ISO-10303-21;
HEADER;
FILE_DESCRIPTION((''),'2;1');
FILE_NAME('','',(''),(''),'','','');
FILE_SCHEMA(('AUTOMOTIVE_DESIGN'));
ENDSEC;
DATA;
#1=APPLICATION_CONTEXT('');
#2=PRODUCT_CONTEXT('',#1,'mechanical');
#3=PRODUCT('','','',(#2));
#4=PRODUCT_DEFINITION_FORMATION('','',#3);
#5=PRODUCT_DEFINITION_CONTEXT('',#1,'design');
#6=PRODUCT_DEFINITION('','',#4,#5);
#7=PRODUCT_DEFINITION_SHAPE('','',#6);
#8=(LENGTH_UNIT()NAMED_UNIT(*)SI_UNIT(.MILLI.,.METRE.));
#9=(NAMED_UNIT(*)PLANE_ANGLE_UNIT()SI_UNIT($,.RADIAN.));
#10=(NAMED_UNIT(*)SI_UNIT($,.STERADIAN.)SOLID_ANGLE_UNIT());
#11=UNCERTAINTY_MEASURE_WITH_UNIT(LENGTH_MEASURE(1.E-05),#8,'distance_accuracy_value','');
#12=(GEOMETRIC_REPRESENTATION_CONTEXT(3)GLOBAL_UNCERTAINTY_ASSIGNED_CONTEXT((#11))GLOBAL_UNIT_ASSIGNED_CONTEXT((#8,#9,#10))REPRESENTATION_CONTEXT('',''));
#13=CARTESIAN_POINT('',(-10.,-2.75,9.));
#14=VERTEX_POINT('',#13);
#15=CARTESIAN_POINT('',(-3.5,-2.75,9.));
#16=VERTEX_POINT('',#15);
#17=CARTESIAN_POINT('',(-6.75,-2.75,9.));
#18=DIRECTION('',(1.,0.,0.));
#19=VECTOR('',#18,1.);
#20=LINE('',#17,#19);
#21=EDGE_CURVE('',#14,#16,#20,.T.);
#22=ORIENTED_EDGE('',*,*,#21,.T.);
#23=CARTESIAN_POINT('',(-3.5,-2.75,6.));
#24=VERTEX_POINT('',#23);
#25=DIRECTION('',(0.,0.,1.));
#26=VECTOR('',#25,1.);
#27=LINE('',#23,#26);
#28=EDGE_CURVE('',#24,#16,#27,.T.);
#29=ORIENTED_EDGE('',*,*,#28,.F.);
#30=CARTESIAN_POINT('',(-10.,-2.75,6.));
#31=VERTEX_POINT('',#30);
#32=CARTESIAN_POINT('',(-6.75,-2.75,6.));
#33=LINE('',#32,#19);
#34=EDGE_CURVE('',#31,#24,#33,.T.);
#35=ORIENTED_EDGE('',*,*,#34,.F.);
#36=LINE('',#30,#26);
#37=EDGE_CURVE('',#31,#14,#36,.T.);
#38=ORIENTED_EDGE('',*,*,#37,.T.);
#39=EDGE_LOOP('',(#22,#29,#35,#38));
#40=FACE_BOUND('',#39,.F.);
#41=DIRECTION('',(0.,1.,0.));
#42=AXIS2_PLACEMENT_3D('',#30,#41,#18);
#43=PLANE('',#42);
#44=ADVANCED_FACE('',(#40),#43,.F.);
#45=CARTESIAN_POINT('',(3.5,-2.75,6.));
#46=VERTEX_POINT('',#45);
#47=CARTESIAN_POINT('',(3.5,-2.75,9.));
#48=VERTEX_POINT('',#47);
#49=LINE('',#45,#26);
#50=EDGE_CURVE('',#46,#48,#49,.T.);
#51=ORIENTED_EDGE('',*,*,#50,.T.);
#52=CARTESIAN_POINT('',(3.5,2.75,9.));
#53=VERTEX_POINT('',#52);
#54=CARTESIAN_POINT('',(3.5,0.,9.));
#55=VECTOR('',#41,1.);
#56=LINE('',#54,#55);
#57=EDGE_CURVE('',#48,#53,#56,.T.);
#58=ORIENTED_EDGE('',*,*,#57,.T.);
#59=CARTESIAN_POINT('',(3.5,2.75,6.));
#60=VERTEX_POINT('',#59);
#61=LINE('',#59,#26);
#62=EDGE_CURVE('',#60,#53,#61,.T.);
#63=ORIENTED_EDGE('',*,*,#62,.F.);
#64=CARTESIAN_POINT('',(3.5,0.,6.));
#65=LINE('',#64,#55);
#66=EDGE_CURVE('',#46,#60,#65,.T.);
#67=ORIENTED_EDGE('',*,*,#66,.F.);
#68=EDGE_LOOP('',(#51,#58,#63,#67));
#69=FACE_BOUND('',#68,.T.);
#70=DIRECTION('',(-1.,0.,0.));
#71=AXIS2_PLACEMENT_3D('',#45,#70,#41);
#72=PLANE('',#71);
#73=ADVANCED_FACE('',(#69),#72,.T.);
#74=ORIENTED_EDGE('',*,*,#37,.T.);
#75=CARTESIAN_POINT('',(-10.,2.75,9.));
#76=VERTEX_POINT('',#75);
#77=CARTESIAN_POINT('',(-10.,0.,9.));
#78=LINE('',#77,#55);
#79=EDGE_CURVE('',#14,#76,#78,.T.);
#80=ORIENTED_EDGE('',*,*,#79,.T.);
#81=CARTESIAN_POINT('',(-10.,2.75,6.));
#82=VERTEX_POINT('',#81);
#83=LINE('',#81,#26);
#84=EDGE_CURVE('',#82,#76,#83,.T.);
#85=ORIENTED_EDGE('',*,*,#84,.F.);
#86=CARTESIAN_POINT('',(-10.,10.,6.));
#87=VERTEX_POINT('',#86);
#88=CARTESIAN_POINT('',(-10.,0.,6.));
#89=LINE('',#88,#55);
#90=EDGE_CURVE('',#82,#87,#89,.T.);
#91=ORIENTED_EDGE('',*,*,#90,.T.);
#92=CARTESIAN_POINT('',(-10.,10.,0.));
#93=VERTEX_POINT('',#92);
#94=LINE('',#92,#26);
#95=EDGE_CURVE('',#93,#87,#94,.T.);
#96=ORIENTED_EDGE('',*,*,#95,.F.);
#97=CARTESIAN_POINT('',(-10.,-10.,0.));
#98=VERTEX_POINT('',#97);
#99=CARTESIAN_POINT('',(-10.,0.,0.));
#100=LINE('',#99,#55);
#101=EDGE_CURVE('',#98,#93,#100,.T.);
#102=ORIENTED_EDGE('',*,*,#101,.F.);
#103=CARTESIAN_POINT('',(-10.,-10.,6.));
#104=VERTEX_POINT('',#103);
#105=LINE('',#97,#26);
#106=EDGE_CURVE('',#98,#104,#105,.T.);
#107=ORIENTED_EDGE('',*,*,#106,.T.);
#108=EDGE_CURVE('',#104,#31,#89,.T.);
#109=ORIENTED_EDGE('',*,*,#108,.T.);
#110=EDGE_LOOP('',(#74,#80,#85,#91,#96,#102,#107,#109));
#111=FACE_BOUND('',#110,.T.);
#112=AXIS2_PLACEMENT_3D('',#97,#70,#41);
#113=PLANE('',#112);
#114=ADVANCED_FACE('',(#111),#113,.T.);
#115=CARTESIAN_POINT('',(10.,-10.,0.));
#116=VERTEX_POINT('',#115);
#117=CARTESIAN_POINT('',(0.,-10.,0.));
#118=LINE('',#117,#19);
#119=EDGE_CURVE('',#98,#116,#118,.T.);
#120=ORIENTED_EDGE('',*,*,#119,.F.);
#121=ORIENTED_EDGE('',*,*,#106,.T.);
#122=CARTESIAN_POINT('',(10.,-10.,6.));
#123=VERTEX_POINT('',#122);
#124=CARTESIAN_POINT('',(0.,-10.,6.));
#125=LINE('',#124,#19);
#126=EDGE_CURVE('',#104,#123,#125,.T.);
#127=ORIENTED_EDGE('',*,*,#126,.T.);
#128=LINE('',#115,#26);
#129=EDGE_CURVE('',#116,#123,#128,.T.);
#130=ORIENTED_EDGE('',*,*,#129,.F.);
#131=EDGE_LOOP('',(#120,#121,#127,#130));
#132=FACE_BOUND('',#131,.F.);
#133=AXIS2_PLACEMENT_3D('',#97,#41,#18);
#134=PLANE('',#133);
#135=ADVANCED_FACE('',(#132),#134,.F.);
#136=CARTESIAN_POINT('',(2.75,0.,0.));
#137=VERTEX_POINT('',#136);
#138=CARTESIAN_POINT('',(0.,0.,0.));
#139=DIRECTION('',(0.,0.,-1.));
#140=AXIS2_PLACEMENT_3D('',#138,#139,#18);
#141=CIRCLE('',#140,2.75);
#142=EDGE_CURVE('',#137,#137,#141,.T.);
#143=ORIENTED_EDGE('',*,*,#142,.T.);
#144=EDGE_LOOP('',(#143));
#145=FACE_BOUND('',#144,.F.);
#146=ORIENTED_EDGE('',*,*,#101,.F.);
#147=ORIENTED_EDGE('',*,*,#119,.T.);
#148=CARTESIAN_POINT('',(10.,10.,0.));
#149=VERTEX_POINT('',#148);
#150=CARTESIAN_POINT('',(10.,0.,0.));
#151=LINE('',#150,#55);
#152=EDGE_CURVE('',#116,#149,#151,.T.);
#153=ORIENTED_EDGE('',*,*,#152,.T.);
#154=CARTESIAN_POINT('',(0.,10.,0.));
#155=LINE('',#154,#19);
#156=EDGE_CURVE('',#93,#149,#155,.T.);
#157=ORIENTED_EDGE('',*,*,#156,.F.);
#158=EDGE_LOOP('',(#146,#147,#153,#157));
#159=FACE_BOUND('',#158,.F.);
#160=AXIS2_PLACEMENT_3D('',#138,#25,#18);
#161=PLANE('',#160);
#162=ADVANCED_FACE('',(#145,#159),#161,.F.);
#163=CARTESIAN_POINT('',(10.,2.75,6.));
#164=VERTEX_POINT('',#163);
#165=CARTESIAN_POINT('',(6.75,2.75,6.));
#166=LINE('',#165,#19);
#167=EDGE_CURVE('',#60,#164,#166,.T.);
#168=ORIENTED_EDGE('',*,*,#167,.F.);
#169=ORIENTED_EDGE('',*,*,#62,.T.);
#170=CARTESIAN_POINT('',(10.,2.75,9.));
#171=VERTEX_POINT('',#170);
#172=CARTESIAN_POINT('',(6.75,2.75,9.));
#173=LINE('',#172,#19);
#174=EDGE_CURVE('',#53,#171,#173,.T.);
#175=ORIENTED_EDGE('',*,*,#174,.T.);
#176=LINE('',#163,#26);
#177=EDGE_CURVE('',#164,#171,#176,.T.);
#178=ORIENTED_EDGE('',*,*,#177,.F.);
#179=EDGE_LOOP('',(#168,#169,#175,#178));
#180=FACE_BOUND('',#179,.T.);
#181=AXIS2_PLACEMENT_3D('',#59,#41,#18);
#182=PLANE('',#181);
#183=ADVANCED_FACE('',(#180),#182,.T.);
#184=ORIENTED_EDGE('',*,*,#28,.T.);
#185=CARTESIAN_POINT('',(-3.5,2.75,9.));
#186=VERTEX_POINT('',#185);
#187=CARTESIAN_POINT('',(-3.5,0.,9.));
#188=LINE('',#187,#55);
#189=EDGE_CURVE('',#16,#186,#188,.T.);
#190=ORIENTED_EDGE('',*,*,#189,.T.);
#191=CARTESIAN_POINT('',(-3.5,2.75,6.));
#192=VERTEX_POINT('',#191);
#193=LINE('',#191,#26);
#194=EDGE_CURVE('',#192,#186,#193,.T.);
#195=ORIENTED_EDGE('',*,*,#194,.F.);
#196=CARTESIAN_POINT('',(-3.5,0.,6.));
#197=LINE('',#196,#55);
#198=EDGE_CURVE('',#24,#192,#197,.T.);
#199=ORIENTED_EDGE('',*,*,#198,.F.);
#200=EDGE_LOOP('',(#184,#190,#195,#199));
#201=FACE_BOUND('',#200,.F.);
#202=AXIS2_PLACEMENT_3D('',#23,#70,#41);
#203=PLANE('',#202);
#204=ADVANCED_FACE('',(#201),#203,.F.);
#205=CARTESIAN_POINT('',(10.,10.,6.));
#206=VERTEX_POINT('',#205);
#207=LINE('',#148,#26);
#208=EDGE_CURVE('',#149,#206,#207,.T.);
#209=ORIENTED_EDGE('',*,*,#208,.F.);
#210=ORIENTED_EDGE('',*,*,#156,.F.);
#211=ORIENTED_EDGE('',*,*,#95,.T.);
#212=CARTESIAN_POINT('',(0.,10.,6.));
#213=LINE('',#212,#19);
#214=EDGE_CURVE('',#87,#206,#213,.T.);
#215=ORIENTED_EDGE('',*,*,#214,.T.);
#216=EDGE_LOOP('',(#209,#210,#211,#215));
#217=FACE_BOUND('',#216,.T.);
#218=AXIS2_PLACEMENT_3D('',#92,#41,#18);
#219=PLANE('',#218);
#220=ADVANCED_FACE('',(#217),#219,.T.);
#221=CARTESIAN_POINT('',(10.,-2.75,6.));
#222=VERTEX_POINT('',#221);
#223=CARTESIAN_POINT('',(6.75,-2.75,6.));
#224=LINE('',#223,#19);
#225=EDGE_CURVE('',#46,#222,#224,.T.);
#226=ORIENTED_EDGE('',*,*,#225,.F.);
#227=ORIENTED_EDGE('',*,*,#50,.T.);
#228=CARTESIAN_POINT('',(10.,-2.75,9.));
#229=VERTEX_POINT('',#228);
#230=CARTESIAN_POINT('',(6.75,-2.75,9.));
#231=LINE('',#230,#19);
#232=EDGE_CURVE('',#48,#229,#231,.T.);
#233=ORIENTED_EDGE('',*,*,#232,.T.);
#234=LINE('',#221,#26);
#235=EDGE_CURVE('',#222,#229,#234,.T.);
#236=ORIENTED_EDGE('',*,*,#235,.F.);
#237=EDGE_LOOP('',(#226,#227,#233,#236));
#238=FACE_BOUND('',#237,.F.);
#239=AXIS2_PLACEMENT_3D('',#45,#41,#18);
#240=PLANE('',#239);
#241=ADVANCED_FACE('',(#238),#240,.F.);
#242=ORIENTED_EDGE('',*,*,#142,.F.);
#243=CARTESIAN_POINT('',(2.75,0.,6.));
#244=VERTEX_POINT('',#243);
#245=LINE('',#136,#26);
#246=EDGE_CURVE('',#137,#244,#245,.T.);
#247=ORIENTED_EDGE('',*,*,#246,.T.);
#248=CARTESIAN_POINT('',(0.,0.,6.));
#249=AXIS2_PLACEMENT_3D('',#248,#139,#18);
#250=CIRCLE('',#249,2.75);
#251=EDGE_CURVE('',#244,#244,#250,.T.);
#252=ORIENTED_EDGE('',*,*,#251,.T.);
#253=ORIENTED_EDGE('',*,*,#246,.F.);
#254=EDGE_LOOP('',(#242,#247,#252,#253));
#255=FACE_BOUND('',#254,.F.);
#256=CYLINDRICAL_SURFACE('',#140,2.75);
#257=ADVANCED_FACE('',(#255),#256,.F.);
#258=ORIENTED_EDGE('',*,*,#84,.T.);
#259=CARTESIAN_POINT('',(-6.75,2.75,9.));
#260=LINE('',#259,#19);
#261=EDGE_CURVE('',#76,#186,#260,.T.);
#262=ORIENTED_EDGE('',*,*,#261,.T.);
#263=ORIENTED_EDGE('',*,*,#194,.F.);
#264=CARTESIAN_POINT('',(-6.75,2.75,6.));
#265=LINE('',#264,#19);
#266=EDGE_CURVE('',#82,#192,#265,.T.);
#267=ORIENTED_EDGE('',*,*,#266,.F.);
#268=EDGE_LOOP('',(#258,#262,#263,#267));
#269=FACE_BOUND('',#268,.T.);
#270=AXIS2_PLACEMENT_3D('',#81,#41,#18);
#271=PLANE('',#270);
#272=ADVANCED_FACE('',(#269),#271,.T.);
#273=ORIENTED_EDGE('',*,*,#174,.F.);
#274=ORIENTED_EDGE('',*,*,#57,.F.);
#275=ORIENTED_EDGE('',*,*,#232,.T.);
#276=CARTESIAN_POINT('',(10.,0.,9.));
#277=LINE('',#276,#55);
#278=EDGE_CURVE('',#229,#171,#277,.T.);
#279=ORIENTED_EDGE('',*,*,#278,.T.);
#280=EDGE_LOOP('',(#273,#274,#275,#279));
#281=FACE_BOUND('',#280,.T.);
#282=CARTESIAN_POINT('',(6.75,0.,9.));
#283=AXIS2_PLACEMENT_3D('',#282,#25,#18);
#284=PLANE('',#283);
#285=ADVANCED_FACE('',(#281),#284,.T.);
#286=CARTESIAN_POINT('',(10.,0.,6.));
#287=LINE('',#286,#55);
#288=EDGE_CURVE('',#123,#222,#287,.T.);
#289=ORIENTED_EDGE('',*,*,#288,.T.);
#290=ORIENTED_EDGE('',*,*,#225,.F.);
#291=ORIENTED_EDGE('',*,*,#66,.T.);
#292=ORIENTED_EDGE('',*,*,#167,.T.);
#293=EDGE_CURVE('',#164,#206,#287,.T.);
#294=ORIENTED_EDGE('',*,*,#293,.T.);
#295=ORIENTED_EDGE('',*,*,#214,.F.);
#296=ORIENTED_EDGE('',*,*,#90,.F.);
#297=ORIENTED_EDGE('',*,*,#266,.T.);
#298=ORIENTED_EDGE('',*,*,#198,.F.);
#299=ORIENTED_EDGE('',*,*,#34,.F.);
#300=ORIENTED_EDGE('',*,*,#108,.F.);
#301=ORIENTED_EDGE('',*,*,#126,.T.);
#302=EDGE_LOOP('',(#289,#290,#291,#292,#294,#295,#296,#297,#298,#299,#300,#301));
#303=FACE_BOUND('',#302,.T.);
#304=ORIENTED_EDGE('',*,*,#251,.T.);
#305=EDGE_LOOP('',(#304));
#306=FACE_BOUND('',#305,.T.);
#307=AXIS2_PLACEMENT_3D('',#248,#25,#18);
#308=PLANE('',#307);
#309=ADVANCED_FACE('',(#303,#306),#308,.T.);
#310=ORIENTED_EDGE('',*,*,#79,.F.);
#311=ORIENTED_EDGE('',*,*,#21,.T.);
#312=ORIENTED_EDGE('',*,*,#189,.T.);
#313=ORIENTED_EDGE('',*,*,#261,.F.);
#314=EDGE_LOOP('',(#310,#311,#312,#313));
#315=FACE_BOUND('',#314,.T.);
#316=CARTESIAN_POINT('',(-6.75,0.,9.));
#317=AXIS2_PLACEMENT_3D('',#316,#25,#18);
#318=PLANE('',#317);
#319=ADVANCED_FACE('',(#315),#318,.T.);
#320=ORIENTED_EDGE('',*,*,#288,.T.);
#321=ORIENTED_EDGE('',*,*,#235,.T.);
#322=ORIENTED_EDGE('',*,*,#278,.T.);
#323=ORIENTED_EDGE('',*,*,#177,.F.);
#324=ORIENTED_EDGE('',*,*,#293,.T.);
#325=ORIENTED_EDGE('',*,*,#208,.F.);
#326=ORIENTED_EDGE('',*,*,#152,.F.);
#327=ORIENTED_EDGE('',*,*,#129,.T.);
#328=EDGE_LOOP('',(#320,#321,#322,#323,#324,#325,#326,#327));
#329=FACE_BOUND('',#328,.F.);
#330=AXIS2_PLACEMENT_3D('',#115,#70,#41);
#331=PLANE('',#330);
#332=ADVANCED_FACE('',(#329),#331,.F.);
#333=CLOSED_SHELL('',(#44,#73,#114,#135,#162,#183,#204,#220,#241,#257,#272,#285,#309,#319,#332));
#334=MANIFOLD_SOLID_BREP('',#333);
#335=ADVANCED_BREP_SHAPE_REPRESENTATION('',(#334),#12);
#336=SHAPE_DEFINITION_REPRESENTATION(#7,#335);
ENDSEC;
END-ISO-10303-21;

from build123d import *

# Parameters (mm, degrees)
F0_W     = 20
F0_H     = 20
F1_DEPTH = 6
F2_W     = 6.5
F2_H     = 5.5
F3_DEPTH = 3
F4_R     = 2.75
F5_DEPTH = 9.001


with BuildPart() as f1:
    # F0 (on Top) → F1 (new body)
    with BuildSketch(Plane.XY):
        Rectangle(F0_W, F0_H)
    extrude(amount=F1_DEPTH)

    # F2 (on face) → F3 (join)
    with BuildSketch(Plane.XY.offset(6)):
        with Locations((6.75, 0)):
            Rectangle(F2_W, F2_H)
        with Locations((-6.75, 0)):
            Rectangle(F2_W, F2_H)
    extrude(amount=F3_DEPTH)

    # F4 (on face) → F5 (cut, through all)
    with BuildSketch(Plane(origin=(0, 0, 0), x_dir=(1, 0, 0), z_dir=(0, 0, -1))):
        Circle(F4_R)
    extrude(amount=-F5_DEPTH, mode=Mode.SUBTRACT)


solid = f1.part
